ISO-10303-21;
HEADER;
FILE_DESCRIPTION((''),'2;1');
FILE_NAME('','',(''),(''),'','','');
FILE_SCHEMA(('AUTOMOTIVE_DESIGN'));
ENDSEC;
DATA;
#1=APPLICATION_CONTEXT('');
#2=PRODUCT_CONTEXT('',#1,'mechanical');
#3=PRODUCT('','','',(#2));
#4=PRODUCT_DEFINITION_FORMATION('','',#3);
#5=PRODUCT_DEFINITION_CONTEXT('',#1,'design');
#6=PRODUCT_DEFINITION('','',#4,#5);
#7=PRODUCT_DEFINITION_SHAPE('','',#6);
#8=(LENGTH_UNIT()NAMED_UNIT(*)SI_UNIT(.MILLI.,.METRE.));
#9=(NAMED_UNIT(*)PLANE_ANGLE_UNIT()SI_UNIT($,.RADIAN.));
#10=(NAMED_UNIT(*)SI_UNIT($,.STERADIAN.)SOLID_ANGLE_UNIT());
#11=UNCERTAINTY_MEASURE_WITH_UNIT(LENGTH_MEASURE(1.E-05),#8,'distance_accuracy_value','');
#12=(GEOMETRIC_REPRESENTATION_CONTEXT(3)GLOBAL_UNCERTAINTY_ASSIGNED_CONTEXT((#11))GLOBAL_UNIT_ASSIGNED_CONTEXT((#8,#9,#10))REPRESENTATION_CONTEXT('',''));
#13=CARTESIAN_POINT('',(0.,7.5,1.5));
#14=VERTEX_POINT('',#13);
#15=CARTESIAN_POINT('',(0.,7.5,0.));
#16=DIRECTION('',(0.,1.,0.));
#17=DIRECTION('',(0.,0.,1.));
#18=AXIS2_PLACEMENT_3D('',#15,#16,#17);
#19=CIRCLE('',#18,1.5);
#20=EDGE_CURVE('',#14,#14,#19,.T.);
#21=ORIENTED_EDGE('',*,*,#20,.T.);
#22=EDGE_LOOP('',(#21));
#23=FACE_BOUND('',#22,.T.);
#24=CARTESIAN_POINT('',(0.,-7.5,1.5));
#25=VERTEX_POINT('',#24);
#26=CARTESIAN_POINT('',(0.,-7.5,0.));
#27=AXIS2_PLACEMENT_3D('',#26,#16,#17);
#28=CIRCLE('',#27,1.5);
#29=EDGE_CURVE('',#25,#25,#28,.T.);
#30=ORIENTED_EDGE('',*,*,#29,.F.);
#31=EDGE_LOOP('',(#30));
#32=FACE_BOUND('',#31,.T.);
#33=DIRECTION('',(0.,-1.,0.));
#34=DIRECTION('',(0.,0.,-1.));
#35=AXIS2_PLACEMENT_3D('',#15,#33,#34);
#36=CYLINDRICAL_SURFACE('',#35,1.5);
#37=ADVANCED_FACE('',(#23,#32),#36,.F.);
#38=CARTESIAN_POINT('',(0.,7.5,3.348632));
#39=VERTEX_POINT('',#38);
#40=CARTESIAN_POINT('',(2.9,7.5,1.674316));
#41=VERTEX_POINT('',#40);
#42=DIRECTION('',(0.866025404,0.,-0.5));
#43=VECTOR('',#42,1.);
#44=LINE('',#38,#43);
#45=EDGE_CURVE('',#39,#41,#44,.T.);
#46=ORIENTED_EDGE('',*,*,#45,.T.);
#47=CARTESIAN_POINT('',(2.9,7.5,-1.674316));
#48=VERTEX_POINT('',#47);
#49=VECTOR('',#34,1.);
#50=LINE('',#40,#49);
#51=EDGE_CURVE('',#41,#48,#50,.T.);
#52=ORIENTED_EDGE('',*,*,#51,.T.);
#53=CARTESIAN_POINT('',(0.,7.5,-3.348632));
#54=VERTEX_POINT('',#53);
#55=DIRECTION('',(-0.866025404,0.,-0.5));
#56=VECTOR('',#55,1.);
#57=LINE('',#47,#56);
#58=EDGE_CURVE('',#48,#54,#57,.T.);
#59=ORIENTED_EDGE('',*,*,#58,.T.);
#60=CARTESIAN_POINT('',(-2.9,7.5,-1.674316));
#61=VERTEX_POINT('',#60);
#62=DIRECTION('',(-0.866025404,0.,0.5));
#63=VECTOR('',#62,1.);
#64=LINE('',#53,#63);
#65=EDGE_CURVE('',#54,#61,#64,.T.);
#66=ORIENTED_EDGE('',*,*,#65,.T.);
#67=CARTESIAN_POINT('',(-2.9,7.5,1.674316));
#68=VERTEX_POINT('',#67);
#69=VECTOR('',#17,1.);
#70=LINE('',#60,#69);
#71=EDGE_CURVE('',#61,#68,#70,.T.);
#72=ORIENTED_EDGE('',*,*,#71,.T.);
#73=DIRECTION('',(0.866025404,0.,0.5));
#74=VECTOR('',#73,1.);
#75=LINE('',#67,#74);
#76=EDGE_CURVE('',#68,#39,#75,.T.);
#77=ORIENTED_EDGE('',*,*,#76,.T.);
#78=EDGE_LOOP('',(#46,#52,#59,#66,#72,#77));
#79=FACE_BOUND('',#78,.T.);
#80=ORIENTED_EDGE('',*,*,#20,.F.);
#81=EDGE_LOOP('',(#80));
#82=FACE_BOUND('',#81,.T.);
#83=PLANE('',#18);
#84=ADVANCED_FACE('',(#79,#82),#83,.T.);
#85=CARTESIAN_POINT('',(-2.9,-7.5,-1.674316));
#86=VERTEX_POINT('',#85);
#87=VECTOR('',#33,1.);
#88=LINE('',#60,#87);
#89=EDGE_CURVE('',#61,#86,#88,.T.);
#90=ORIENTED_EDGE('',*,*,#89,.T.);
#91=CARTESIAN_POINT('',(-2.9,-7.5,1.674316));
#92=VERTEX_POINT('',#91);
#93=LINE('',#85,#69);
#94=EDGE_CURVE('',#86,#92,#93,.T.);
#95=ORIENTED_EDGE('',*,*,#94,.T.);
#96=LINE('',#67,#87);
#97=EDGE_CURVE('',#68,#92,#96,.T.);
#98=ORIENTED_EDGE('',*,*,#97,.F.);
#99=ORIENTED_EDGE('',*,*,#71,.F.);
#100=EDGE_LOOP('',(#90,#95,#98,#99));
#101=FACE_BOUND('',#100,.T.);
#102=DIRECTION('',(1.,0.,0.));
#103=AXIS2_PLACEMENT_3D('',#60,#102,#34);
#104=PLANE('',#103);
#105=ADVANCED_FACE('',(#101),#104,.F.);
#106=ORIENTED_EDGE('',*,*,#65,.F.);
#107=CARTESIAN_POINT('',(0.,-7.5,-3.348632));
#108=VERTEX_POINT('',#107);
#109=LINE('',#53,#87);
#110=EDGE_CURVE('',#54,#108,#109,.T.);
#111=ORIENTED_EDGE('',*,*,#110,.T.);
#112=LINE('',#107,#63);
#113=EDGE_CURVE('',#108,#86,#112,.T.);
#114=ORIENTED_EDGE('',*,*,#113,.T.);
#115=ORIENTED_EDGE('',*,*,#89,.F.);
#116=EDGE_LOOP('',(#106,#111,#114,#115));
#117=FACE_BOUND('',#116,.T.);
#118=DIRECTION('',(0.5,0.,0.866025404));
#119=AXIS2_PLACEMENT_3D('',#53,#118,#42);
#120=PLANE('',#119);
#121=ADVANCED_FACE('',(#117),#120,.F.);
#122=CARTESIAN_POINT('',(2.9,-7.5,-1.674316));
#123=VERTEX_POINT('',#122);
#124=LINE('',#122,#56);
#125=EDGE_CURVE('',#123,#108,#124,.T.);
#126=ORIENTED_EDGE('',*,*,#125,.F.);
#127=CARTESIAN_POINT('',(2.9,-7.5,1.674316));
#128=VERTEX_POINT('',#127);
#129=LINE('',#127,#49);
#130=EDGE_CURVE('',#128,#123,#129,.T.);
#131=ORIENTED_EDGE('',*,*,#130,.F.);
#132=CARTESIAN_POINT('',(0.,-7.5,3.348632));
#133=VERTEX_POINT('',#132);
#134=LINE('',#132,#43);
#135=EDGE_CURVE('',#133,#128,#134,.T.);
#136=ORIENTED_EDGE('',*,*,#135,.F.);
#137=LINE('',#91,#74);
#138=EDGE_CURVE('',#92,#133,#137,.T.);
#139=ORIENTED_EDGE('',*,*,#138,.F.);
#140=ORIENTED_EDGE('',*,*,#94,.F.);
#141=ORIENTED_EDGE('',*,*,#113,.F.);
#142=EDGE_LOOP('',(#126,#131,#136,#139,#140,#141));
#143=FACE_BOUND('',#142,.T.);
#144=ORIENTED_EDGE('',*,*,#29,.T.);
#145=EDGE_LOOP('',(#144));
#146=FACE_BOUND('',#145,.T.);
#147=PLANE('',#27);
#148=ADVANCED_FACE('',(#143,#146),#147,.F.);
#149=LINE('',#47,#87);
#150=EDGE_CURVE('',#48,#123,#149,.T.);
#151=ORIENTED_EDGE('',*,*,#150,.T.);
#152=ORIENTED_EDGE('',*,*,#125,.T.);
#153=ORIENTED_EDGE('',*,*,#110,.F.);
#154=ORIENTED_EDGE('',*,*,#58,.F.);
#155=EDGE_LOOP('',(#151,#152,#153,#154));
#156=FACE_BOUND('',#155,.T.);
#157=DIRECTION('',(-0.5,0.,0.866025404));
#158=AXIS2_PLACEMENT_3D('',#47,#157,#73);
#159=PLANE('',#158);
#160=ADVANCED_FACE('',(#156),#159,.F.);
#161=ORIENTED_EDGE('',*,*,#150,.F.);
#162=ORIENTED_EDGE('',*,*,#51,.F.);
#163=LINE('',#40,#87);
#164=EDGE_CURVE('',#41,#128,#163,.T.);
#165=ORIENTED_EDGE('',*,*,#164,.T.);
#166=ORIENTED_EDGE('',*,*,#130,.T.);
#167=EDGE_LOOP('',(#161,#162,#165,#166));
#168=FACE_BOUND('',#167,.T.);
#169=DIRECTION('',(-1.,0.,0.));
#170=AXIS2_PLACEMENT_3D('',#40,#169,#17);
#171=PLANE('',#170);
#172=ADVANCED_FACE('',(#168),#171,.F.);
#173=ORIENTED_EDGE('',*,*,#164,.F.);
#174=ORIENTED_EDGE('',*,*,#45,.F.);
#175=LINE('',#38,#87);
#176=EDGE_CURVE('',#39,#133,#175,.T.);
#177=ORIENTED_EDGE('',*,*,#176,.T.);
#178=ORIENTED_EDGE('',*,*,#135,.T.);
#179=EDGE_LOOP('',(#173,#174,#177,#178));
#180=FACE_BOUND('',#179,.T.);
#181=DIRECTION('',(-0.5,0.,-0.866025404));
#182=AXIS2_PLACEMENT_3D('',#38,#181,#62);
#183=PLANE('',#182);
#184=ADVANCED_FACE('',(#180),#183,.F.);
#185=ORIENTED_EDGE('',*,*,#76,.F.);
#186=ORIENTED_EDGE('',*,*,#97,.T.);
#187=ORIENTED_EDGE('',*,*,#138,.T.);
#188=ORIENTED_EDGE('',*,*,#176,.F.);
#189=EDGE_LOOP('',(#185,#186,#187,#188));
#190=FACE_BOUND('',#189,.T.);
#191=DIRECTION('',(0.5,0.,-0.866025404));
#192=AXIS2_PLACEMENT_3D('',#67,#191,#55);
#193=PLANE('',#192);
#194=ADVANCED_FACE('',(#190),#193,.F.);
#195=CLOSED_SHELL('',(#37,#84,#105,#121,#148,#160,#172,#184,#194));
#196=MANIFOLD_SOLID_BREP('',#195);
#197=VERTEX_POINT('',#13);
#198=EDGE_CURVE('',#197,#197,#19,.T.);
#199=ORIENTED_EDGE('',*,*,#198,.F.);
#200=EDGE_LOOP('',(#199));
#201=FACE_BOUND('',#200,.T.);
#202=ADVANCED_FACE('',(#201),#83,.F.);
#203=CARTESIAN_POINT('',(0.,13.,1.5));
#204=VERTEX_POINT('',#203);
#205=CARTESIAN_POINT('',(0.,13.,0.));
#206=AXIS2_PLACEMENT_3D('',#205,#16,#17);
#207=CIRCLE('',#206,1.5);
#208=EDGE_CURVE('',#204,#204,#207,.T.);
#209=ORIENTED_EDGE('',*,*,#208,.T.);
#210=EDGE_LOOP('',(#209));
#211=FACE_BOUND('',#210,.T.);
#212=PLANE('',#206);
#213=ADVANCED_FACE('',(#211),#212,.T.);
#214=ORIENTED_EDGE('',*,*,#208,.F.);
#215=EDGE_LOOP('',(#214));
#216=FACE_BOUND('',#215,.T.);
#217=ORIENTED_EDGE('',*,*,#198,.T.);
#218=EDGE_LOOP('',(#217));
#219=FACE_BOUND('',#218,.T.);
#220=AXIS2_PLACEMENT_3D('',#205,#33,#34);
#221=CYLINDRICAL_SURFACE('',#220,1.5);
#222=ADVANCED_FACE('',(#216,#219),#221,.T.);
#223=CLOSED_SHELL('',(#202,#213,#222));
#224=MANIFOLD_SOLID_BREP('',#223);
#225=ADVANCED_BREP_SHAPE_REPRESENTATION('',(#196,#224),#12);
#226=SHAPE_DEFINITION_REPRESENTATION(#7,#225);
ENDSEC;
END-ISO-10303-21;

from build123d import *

# Parameters (mm, degrees)
SKETCH1_R           = 1.5
BOSS_EXTRUDE1_DEPTH = 7.5
SKETCH2_R           = 1.5
BOSS_EXTRUDE2_DEPTH = 5.5


with BuildPart() as part:
    # Sketch1 → Boss-Extrude1 (new, symmetric)
    with BuildSketch(Plane(origin=(0, 0, 0), x_dir=(1, 0, 0), z_dir=(0, 1, 0))):
        Polygon((0, -3.348631561), (2.9, -1.674315781), (2.9, 1.674315781), (0, 3.348631561), (-2.9, 1.674315781), (-2.9, -1.674315781), align=None)
        with Locations(Location((0, 0, 0), (0, 0, 270))):
            Circle(SKETCH1_R, mode=Mode.SUBTRACT)
    extrude(amount=BOSS_EXTRUDE1_DEPTH, both=True)


with BuildPart() as body_2:
    # Sketch2 → Boss-Extrude2 (new body)
    with BuildSketch(Plane(origin=(0, 7.5, 0), x_dir=(1, 0, 0), z_dir=(0, 1, 0))):
        with Locations(Location((0, 0, 0), (0, 0, 270))):
            Circle(SKETCH2_R)
    extrude(amount=BOSS_EXTRUDE2_DEPTH)


solid = Compound([part.part, body_2.part])
